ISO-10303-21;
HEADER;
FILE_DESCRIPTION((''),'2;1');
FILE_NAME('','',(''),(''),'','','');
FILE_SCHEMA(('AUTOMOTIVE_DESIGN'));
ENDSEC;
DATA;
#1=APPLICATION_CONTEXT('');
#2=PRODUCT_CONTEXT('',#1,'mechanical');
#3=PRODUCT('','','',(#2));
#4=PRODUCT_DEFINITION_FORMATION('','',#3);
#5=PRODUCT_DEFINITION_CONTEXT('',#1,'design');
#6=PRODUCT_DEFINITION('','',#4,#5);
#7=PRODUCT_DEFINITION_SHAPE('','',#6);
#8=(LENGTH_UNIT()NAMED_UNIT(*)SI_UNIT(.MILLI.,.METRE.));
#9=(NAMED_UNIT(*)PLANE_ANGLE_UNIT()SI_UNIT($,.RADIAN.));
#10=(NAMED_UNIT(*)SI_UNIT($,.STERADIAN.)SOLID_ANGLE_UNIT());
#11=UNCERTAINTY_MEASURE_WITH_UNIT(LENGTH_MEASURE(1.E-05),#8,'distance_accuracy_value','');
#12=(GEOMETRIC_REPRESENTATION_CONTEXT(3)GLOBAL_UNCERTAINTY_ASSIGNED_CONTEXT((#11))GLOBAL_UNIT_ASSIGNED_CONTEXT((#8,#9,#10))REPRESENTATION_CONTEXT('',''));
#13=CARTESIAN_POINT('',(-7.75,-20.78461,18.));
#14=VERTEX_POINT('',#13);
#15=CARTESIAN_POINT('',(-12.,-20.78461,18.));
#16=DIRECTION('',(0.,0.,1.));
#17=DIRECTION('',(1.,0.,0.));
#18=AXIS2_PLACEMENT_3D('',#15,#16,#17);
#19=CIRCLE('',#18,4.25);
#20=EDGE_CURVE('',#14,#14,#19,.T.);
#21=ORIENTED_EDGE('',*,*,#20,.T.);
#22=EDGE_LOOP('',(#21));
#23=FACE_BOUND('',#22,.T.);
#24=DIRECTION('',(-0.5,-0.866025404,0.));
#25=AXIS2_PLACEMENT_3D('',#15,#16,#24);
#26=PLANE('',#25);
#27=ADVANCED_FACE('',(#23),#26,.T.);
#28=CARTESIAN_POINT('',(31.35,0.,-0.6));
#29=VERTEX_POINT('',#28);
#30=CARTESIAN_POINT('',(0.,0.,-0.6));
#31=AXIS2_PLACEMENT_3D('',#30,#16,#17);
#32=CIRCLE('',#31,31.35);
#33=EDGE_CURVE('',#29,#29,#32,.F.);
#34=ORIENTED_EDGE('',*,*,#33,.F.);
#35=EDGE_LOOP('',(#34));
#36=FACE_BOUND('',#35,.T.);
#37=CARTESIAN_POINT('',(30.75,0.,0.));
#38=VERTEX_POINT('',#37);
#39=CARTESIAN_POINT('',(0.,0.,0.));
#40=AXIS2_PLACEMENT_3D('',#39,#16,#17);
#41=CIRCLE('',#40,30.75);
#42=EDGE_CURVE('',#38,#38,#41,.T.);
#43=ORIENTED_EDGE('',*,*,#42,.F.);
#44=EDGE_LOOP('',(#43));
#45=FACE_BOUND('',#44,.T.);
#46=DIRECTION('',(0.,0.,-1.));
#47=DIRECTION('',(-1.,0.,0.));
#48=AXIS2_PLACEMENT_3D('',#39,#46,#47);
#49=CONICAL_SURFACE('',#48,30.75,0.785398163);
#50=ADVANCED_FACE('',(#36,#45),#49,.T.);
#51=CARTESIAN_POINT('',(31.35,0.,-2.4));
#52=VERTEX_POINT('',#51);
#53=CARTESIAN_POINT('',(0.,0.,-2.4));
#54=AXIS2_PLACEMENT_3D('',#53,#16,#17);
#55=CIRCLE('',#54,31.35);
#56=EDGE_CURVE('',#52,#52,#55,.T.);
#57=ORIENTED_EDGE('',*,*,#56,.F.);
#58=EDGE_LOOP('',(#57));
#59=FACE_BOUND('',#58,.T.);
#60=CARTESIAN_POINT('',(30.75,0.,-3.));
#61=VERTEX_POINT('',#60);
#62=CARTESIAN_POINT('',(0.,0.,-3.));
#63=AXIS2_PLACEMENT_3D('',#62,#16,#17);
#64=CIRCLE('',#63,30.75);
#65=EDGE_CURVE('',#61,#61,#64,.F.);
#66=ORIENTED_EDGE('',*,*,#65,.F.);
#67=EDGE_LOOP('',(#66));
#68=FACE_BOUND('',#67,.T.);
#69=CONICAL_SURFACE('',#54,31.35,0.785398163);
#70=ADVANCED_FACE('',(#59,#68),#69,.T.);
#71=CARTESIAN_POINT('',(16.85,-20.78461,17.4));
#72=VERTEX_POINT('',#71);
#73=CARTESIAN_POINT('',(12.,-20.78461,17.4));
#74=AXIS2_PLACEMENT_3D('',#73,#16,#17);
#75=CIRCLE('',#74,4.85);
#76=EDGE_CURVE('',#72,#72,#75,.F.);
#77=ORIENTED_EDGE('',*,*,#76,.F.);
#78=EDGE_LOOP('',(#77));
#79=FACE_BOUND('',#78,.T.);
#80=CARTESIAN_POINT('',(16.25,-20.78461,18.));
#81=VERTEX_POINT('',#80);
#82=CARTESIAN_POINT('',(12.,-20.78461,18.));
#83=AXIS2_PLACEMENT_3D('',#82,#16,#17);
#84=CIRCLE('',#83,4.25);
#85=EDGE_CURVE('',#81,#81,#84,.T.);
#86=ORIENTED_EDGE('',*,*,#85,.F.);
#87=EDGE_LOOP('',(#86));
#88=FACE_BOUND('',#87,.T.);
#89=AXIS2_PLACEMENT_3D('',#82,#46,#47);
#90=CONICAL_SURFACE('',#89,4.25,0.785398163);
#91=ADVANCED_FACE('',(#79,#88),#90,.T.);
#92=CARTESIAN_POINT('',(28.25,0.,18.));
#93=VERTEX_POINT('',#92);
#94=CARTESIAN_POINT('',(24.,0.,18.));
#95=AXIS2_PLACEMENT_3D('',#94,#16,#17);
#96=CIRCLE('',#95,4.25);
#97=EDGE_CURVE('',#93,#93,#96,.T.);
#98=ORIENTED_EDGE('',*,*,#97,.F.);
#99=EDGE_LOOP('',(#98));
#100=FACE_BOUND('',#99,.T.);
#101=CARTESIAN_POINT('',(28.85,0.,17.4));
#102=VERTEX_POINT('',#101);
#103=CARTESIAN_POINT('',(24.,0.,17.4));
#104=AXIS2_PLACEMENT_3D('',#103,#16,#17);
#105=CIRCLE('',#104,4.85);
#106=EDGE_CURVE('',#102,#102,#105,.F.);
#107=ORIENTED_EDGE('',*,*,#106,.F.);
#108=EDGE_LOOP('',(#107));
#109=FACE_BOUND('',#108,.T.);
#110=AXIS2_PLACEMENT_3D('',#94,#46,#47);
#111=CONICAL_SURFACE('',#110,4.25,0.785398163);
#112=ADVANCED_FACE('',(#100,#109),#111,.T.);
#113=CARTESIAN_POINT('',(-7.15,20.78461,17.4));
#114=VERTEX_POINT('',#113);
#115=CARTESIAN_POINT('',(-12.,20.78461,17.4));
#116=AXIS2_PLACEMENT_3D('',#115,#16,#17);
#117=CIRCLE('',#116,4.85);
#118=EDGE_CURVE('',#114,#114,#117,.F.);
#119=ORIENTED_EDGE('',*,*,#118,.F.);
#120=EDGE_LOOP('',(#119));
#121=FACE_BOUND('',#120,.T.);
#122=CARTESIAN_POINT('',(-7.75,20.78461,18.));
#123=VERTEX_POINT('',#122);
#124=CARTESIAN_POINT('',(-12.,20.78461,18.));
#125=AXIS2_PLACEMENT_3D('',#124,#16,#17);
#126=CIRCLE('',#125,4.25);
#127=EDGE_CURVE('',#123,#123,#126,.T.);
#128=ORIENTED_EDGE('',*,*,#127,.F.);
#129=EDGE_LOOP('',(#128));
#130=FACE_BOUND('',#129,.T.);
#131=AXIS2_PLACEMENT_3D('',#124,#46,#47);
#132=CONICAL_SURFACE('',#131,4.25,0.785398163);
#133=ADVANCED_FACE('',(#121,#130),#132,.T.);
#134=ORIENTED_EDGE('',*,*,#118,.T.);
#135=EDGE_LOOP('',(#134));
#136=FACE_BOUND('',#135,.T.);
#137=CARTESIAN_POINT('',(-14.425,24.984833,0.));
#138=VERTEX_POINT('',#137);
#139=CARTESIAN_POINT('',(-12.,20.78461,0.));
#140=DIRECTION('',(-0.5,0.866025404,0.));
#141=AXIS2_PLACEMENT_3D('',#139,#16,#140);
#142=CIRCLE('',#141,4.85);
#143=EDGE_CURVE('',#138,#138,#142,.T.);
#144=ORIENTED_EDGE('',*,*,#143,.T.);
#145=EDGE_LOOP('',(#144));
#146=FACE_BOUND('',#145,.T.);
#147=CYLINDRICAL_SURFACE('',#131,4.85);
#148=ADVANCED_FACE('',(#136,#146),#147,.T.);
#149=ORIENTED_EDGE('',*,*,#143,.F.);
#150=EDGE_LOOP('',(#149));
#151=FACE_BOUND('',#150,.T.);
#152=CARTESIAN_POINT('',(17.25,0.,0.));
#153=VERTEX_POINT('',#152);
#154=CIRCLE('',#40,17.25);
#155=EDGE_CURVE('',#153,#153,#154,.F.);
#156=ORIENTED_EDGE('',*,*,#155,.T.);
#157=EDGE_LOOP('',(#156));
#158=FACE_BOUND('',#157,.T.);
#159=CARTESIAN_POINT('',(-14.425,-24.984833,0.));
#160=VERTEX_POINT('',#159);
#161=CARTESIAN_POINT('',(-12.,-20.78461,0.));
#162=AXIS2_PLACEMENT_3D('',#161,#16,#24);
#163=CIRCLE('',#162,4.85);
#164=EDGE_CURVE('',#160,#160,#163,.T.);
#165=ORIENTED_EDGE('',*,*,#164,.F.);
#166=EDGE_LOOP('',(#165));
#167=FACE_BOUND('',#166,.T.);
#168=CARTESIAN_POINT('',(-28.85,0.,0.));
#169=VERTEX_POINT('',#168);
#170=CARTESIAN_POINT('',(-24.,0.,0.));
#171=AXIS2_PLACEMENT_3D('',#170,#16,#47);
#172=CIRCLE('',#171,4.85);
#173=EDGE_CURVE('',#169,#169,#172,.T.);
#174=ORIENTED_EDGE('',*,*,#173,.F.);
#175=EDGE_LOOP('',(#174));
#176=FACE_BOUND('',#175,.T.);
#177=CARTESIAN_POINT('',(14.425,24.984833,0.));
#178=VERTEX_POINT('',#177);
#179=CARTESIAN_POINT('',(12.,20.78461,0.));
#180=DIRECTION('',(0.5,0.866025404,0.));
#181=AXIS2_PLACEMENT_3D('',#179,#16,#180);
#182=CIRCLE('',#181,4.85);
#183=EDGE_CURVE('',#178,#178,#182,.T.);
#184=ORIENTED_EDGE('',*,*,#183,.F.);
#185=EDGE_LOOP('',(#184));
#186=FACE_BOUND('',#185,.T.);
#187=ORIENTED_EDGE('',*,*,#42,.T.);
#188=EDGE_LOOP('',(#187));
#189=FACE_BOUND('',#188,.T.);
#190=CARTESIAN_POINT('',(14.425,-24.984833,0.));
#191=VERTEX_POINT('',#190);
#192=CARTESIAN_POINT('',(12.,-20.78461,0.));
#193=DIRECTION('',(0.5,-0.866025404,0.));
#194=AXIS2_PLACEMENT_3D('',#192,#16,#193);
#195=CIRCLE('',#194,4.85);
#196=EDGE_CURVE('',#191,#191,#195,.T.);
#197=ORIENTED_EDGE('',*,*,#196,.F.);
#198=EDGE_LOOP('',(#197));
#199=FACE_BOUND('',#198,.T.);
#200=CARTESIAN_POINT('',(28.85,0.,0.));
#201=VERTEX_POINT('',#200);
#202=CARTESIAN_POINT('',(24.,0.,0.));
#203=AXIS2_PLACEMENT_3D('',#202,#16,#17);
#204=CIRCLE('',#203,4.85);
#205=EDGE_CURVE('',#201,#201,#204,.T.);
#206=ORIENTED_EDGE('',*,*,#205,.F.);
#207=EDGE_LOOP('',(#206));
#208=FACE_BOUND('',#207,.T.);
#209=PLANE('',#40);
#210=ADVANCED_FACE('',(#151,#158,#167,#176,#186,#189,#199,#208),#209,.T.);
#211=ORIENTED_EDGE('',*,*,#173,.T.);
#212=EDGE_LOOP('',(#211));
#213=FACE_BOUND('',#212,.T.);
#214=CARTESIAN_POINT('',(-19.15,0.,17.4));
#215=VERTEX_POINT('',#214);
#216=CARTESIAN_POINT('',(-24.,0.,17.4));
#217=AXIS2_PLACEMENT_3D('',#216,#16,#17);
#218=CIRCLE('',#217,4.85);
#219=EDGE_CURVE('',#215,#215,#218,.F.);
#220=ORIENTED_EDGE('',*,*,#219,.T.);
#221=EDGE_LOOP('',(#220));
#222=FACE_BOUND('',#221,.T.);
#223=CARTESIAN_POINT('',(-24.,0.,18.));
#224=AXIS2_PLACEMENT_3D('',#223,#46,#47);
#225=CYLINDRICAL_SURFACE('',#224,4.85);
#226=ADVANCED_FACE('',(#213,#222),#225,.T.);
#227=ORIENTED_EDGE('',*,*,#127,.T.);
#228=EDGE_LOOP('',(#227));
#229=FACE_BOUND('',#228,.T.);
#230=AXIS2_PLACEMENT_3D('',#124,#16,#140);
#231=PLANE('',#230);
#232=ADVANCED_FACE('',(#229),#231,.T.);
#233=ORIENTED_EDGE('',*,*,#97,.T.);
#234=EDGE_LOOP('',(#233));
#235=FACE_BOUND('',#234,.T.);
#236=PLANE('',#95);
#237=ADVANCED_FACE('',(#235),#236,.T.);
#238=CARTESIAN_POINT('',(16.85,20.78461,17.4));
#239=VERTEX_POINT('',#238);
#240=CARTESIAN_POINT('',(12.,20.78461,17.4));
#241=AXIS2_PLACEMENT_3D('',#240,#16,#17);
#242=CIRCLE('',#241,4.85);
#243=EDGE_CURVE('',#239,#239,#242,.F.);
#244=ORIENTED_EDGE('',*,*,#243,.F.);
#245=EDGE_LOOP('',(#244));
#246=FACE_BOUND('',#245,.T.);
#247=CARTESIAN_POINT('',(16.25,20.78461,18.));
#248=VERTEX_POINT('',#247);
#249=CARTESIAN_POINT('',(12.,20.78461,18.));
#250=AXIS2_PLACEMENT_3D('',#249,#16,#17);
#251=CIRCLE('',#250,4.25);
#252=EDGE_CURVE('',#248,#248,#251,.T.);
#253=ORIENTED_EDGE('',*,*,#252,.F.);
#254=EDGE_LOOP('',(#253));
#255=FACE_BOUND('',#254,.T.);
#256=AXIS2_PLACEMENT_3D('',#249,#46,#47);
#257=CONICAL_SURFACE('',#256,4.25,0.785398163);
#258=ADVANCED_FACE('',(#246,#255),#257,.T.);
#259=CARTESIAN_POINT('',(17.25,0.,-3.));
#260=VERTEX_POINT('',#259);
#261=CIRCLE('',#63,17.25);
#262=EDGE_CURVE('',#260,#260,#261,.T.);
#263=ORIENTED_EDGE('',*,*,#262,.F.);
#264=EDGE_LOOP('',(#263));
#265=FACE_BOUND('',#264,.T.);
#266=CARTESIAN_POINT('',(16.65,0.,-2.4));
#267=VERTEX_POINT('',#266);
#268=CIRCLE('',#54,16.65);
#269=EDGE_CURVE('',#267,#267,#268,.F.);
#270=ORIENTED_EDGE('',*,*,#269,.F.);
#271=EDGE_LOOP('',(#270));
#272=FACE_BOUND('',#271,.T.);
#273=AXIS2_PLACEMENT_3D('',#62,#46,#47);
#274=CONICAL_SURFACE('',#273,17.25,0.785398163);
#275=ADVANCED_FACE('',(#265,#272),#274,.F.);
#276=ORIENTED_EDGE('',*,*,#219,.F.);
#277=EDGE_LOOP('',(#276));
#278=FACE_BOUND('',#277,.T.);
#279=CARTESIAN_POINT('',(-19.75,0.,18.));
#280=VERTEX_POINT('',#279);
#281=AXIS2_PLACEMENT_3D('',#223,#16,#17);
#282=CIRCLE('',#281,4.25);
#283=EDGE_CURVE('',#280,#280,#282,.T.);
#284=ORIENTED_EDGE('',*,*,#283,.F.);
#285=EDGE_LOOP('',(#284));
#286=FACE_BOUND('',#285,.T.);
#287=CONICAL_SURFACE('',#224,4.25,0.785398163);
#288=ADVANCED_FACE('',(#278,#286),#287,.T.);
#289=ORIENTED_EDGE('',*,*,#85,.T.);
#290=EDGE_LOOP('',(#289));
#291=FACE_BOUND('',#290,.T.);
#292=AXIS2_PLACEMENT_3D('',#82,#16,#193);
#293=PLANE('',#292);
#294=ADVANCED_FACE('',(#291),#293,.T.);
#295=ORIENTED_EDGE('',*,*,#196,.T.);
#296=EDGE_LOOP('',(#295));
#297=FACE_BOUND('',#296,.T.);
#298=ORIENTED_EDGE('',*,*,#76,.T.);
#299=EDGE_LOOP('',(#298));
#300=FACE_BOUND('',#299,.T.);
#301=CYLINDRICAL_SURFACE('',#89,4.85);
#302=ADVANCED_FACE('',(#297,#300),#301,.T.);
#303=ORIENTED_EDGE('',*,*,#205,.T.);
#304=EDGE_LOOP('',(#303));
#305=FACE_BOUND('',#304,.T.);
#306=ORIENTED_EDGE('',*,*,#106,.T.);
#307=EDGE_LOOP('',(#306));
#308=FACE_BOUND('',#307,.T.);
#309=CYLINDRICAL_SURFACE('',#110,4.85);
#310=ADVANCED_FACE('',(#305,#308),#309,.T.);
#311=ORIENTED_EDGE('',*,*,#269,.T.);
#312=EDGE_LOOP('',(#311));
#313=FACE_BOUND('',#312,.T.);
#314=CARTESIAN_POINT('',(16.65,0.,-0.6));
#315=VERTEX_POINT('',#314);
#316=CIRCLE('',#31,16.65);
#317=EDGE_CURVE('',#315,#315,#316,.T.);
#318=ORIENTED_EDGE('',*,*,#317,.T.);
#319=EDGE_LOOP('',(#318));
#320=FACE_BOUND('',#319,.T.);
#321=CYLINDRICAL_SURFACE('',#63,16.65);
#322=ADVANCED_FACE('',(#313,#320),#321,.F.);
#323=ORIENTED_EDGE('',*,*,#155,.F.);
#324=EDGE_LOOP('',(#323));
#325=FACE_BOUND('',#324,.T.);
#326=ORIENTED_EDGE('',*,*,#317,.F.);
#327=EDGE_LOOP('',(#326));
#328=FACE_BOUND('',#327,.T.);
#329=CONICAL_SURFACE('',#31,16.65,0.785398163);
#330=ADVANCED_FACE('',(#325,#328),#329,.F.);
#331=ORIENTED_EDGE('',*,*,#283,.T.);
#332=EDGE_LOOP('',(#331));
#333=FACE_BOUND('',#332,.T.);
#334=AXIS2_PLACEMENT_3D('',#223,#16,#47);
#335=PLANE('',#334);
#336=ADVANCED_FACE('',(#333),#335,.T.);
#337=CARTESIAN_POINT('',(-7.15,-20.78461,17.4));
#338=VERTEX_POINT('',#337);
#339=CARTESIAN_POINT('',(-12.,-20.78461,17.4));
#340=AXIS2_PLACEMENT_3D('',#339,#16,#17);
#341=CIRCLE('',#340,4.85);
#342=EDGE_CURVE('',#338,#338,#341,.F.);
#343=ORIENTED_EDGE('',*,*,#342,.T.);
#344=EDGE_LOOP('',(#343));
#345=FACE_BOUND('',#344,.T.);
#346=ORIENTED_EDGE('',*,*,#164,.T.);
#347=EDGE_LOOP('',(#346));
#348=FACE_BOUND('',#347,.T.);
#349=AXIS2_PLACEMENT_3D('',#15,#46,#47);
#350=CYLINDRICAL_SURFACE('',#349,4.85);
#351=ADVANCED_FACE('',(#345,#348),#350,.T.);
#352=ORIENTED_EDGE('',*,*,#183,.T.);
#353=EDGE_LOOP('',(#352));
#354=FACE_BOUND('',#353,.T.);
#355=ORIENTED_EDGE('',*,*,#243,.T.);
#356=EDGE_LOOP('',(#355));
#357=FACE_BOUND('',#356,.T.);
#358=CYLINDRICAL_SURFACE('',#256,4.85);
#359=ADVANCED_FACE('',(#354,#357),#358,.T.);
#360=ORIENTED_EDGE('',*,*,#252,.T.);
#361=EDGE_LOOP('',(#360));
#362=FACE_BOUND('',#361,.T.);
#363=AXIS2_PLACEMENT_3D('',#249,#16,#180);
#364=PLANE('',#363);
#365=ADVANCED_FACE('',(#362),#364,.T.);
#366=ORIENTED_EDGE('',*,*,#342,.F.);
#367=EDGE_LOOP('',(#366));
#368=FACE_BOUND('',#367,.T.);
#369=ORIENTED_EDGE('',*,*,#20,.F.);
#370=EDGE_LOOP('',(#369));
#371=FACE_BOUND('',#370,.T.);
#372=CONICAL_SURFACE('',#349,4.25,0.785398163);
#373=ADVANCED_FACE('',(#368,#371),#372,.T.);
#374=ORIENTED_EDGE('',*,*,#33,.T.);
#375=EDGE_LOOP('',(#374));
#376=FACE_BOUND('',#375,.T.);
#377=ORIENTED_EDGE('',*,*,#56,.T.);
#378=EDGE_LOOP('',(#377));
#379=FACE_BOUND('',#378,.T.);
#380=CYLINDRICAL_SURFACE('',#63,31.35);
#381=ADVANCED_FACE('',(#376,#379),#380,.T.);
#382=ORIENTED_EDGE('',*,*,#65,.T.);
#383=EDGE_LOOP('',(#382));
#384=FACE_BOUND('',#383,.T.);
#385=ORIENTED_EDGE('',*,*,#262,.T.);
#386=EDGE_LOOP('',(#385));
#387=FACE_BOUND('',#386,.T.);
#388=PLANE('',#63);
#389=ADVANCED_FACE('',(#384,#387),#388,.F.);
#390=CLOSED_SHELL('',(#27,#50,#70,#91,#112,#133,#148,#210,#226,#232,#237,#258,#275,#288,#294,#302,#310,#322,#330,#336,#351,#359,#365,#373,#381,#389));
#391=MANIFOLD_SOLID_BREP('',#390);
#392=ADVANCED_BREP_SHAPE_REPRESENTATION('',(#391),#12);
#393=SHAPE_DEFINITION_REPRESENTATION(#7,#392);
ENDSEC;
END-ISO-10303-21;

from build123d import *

# Parameters (mm, degrees)
SKETCH1_R           = 31.35
SKETCH1_R_2         = 16.65
BOSS_EXTRUDE1_DEPTH = 3
SKETCH2_R           = 4.85
BOSS_EXTRUDE2_DEPTH = 18
CIRPATTERN1_COUNT   = 6
CHAMFER1_SIZE       = 0.6


with BuildPart() as part:
    # Sketch1 → Boss-Extrude1 (new body)
    with BuildSketch(Plane.XY):
        Circle(SKETCH1_R)
        Circle(SKETCH1_R_2, mode=Mode.SUBTRACT)
    extrude(amount=-BOSS_EXTRUDE1_DEPTH)

    # Sketch2 → Boss-Extrude2 (add)
    with BuildSketch(Plane.XY):
        with Locations((24, 0)):
            Circle(SKETCH2_R)
    boss_extrude2 = extrude(amount=BOSS_EXTRUDE2_DEPTH)

    # CirPattern1: Boss-Extrude2 ×6 about axis
    cirpattern1_axis = Axis((0, 0, 0), (0, 0, 1))
    for i in range(1, CIRPATTERN1_COUNT):
        add(boss_extrude2.rotate(cirpattern1_axis, i * 360 / CIRPATTERN1_COUNT))

    # Chamfer1
    chamfer1_edges = [part.edges().sort_by_distance(p)[0] for p in [
        (19.15, 0, 18),
        (9.575, -16.584386482, 18),
        (-9.575, -16.584386482, 18),
        (-31.35, 0, 0),
        (-19.15, 0, 18),
        (-9.575, 16.584386482, 18),
        (9.575, 16.584386482, 18),
        (-31.35, 0, -3),
        (-16.65, 0, -3),
        (-16.65, 0, 0),
    ]]
    chamfer(chamfer1_edges, length=CHAMFER1_SIZE)


solid = part.part
